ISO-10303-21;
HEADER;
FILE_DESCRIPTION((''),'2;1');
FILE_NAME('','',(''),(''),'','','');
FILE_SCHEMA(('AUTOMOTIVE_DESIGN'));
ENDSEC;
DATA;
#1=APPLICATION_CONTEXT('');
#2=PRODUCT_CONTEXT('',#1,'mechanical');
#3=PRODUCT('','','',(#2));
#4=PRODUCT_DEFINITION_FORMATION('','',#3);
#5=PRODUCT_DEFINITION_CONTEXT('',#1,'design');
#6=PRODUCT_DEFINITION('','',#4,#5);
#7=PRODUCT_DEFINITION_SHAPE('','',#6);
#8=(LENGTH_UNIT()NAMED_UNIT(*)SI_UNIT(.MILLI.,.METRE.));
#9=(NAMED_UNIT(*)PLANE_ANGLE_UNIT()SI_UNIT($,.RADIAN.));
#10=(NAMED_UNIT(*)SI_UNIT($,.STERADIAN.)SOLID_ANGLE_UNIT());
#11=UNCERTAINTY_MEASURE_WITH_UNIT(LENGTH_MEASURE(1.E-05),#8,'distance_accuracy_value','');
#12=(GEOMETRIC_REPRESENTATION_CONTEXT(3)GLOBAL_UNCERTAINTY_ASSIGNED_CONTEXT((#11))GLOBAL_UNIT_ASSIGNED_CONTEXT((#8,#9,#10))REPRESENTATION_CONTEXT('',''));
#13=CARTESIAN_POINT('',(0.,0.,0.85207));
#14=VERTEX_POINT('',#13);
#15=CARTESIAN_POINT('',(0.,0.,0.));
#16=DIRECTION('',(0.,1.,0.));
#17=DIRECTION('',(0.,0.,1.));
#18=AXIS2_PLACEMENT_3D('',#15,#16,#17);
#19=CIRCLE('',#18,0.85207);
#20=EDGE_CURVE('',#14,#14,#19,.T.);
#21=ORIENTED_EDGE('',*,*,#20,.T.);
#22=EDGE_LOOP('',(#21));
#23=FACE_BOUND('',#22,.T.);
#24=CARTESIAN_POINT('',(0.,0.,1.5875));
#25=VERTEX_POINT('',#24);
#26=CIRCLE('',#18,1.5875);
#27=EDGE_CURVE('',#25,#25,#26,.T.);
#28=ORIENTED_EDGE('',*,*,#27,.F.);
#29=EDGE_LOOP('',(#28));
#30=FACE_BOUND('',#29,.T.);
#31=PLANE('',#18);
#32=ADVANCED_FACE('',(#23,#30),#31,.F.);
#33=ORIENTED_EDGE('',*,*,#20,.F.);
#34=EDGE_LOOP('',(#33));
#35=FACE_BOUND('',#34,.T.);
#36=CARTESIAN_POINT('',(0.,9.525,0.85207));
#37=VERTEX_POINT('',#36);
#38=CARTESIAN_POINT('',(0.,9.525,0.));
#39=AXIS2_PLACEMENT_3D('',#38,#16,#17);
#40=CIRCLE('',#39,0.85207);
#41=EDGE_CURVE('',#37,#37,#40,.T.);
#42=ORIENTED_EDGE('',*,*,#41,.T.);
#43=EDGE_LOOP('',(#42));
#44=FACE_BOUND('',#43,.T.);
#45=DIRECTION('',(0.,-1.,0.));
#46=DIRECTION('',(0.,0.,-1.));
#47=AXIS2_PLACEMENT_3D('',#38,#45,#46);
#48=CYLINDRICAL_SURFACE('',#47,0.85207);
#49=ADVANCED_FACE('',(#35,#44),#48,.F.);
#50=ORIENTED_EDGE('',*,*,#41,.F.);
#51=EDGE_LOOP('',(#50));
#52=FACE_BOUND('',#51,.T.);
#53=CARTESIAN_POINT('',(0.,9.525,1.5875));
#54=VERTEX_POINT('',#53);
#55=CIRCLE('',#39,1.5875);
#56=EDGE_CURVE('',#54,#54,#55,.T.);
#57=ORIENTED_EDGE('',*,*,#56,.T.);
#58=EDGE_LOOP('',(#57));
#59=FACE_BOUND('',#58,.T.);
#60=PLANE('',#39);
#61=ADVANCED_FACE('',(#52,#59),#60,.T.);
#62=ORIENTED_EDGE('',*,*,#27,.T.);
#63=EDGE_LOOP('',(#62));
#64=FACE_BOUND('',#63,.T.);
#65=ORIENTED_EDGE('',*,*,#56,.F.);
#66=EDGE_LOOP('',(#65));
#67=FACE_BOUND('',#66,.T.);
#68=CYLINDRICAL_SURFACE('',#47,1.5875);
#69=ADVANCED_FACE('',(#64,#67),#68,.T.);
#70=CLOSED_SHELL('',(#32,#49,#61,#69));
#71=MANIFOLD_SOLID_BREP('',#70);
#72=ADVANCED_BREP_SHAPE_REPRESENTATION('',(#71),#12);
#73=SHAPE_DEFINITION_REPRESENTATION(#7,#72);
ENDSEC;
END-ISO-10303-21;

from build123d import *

# Parameters (mm, degrees)
SKETCH1_R           = 1.5875
SKETCH1_R_2         = 0.852069719
BOSS_EXTRUDE1_DEPTH = 9.525


with BuildPart() as part:
    # Sketch1 → Boss-Extrude1 (new body)
    with BuildSketch(Plane(origin=(0, 0, 0), x_dir=(1, 0, 0), z_dir=(0, 1, 0))):
        Circle(SKETCH1_R)
        Circle(SKETCH1_R_2, mode=Mode.SUBTRACT)
    extrude(amount=BOSS_EXTRUDE1_DEPTH)


solid = part.part
